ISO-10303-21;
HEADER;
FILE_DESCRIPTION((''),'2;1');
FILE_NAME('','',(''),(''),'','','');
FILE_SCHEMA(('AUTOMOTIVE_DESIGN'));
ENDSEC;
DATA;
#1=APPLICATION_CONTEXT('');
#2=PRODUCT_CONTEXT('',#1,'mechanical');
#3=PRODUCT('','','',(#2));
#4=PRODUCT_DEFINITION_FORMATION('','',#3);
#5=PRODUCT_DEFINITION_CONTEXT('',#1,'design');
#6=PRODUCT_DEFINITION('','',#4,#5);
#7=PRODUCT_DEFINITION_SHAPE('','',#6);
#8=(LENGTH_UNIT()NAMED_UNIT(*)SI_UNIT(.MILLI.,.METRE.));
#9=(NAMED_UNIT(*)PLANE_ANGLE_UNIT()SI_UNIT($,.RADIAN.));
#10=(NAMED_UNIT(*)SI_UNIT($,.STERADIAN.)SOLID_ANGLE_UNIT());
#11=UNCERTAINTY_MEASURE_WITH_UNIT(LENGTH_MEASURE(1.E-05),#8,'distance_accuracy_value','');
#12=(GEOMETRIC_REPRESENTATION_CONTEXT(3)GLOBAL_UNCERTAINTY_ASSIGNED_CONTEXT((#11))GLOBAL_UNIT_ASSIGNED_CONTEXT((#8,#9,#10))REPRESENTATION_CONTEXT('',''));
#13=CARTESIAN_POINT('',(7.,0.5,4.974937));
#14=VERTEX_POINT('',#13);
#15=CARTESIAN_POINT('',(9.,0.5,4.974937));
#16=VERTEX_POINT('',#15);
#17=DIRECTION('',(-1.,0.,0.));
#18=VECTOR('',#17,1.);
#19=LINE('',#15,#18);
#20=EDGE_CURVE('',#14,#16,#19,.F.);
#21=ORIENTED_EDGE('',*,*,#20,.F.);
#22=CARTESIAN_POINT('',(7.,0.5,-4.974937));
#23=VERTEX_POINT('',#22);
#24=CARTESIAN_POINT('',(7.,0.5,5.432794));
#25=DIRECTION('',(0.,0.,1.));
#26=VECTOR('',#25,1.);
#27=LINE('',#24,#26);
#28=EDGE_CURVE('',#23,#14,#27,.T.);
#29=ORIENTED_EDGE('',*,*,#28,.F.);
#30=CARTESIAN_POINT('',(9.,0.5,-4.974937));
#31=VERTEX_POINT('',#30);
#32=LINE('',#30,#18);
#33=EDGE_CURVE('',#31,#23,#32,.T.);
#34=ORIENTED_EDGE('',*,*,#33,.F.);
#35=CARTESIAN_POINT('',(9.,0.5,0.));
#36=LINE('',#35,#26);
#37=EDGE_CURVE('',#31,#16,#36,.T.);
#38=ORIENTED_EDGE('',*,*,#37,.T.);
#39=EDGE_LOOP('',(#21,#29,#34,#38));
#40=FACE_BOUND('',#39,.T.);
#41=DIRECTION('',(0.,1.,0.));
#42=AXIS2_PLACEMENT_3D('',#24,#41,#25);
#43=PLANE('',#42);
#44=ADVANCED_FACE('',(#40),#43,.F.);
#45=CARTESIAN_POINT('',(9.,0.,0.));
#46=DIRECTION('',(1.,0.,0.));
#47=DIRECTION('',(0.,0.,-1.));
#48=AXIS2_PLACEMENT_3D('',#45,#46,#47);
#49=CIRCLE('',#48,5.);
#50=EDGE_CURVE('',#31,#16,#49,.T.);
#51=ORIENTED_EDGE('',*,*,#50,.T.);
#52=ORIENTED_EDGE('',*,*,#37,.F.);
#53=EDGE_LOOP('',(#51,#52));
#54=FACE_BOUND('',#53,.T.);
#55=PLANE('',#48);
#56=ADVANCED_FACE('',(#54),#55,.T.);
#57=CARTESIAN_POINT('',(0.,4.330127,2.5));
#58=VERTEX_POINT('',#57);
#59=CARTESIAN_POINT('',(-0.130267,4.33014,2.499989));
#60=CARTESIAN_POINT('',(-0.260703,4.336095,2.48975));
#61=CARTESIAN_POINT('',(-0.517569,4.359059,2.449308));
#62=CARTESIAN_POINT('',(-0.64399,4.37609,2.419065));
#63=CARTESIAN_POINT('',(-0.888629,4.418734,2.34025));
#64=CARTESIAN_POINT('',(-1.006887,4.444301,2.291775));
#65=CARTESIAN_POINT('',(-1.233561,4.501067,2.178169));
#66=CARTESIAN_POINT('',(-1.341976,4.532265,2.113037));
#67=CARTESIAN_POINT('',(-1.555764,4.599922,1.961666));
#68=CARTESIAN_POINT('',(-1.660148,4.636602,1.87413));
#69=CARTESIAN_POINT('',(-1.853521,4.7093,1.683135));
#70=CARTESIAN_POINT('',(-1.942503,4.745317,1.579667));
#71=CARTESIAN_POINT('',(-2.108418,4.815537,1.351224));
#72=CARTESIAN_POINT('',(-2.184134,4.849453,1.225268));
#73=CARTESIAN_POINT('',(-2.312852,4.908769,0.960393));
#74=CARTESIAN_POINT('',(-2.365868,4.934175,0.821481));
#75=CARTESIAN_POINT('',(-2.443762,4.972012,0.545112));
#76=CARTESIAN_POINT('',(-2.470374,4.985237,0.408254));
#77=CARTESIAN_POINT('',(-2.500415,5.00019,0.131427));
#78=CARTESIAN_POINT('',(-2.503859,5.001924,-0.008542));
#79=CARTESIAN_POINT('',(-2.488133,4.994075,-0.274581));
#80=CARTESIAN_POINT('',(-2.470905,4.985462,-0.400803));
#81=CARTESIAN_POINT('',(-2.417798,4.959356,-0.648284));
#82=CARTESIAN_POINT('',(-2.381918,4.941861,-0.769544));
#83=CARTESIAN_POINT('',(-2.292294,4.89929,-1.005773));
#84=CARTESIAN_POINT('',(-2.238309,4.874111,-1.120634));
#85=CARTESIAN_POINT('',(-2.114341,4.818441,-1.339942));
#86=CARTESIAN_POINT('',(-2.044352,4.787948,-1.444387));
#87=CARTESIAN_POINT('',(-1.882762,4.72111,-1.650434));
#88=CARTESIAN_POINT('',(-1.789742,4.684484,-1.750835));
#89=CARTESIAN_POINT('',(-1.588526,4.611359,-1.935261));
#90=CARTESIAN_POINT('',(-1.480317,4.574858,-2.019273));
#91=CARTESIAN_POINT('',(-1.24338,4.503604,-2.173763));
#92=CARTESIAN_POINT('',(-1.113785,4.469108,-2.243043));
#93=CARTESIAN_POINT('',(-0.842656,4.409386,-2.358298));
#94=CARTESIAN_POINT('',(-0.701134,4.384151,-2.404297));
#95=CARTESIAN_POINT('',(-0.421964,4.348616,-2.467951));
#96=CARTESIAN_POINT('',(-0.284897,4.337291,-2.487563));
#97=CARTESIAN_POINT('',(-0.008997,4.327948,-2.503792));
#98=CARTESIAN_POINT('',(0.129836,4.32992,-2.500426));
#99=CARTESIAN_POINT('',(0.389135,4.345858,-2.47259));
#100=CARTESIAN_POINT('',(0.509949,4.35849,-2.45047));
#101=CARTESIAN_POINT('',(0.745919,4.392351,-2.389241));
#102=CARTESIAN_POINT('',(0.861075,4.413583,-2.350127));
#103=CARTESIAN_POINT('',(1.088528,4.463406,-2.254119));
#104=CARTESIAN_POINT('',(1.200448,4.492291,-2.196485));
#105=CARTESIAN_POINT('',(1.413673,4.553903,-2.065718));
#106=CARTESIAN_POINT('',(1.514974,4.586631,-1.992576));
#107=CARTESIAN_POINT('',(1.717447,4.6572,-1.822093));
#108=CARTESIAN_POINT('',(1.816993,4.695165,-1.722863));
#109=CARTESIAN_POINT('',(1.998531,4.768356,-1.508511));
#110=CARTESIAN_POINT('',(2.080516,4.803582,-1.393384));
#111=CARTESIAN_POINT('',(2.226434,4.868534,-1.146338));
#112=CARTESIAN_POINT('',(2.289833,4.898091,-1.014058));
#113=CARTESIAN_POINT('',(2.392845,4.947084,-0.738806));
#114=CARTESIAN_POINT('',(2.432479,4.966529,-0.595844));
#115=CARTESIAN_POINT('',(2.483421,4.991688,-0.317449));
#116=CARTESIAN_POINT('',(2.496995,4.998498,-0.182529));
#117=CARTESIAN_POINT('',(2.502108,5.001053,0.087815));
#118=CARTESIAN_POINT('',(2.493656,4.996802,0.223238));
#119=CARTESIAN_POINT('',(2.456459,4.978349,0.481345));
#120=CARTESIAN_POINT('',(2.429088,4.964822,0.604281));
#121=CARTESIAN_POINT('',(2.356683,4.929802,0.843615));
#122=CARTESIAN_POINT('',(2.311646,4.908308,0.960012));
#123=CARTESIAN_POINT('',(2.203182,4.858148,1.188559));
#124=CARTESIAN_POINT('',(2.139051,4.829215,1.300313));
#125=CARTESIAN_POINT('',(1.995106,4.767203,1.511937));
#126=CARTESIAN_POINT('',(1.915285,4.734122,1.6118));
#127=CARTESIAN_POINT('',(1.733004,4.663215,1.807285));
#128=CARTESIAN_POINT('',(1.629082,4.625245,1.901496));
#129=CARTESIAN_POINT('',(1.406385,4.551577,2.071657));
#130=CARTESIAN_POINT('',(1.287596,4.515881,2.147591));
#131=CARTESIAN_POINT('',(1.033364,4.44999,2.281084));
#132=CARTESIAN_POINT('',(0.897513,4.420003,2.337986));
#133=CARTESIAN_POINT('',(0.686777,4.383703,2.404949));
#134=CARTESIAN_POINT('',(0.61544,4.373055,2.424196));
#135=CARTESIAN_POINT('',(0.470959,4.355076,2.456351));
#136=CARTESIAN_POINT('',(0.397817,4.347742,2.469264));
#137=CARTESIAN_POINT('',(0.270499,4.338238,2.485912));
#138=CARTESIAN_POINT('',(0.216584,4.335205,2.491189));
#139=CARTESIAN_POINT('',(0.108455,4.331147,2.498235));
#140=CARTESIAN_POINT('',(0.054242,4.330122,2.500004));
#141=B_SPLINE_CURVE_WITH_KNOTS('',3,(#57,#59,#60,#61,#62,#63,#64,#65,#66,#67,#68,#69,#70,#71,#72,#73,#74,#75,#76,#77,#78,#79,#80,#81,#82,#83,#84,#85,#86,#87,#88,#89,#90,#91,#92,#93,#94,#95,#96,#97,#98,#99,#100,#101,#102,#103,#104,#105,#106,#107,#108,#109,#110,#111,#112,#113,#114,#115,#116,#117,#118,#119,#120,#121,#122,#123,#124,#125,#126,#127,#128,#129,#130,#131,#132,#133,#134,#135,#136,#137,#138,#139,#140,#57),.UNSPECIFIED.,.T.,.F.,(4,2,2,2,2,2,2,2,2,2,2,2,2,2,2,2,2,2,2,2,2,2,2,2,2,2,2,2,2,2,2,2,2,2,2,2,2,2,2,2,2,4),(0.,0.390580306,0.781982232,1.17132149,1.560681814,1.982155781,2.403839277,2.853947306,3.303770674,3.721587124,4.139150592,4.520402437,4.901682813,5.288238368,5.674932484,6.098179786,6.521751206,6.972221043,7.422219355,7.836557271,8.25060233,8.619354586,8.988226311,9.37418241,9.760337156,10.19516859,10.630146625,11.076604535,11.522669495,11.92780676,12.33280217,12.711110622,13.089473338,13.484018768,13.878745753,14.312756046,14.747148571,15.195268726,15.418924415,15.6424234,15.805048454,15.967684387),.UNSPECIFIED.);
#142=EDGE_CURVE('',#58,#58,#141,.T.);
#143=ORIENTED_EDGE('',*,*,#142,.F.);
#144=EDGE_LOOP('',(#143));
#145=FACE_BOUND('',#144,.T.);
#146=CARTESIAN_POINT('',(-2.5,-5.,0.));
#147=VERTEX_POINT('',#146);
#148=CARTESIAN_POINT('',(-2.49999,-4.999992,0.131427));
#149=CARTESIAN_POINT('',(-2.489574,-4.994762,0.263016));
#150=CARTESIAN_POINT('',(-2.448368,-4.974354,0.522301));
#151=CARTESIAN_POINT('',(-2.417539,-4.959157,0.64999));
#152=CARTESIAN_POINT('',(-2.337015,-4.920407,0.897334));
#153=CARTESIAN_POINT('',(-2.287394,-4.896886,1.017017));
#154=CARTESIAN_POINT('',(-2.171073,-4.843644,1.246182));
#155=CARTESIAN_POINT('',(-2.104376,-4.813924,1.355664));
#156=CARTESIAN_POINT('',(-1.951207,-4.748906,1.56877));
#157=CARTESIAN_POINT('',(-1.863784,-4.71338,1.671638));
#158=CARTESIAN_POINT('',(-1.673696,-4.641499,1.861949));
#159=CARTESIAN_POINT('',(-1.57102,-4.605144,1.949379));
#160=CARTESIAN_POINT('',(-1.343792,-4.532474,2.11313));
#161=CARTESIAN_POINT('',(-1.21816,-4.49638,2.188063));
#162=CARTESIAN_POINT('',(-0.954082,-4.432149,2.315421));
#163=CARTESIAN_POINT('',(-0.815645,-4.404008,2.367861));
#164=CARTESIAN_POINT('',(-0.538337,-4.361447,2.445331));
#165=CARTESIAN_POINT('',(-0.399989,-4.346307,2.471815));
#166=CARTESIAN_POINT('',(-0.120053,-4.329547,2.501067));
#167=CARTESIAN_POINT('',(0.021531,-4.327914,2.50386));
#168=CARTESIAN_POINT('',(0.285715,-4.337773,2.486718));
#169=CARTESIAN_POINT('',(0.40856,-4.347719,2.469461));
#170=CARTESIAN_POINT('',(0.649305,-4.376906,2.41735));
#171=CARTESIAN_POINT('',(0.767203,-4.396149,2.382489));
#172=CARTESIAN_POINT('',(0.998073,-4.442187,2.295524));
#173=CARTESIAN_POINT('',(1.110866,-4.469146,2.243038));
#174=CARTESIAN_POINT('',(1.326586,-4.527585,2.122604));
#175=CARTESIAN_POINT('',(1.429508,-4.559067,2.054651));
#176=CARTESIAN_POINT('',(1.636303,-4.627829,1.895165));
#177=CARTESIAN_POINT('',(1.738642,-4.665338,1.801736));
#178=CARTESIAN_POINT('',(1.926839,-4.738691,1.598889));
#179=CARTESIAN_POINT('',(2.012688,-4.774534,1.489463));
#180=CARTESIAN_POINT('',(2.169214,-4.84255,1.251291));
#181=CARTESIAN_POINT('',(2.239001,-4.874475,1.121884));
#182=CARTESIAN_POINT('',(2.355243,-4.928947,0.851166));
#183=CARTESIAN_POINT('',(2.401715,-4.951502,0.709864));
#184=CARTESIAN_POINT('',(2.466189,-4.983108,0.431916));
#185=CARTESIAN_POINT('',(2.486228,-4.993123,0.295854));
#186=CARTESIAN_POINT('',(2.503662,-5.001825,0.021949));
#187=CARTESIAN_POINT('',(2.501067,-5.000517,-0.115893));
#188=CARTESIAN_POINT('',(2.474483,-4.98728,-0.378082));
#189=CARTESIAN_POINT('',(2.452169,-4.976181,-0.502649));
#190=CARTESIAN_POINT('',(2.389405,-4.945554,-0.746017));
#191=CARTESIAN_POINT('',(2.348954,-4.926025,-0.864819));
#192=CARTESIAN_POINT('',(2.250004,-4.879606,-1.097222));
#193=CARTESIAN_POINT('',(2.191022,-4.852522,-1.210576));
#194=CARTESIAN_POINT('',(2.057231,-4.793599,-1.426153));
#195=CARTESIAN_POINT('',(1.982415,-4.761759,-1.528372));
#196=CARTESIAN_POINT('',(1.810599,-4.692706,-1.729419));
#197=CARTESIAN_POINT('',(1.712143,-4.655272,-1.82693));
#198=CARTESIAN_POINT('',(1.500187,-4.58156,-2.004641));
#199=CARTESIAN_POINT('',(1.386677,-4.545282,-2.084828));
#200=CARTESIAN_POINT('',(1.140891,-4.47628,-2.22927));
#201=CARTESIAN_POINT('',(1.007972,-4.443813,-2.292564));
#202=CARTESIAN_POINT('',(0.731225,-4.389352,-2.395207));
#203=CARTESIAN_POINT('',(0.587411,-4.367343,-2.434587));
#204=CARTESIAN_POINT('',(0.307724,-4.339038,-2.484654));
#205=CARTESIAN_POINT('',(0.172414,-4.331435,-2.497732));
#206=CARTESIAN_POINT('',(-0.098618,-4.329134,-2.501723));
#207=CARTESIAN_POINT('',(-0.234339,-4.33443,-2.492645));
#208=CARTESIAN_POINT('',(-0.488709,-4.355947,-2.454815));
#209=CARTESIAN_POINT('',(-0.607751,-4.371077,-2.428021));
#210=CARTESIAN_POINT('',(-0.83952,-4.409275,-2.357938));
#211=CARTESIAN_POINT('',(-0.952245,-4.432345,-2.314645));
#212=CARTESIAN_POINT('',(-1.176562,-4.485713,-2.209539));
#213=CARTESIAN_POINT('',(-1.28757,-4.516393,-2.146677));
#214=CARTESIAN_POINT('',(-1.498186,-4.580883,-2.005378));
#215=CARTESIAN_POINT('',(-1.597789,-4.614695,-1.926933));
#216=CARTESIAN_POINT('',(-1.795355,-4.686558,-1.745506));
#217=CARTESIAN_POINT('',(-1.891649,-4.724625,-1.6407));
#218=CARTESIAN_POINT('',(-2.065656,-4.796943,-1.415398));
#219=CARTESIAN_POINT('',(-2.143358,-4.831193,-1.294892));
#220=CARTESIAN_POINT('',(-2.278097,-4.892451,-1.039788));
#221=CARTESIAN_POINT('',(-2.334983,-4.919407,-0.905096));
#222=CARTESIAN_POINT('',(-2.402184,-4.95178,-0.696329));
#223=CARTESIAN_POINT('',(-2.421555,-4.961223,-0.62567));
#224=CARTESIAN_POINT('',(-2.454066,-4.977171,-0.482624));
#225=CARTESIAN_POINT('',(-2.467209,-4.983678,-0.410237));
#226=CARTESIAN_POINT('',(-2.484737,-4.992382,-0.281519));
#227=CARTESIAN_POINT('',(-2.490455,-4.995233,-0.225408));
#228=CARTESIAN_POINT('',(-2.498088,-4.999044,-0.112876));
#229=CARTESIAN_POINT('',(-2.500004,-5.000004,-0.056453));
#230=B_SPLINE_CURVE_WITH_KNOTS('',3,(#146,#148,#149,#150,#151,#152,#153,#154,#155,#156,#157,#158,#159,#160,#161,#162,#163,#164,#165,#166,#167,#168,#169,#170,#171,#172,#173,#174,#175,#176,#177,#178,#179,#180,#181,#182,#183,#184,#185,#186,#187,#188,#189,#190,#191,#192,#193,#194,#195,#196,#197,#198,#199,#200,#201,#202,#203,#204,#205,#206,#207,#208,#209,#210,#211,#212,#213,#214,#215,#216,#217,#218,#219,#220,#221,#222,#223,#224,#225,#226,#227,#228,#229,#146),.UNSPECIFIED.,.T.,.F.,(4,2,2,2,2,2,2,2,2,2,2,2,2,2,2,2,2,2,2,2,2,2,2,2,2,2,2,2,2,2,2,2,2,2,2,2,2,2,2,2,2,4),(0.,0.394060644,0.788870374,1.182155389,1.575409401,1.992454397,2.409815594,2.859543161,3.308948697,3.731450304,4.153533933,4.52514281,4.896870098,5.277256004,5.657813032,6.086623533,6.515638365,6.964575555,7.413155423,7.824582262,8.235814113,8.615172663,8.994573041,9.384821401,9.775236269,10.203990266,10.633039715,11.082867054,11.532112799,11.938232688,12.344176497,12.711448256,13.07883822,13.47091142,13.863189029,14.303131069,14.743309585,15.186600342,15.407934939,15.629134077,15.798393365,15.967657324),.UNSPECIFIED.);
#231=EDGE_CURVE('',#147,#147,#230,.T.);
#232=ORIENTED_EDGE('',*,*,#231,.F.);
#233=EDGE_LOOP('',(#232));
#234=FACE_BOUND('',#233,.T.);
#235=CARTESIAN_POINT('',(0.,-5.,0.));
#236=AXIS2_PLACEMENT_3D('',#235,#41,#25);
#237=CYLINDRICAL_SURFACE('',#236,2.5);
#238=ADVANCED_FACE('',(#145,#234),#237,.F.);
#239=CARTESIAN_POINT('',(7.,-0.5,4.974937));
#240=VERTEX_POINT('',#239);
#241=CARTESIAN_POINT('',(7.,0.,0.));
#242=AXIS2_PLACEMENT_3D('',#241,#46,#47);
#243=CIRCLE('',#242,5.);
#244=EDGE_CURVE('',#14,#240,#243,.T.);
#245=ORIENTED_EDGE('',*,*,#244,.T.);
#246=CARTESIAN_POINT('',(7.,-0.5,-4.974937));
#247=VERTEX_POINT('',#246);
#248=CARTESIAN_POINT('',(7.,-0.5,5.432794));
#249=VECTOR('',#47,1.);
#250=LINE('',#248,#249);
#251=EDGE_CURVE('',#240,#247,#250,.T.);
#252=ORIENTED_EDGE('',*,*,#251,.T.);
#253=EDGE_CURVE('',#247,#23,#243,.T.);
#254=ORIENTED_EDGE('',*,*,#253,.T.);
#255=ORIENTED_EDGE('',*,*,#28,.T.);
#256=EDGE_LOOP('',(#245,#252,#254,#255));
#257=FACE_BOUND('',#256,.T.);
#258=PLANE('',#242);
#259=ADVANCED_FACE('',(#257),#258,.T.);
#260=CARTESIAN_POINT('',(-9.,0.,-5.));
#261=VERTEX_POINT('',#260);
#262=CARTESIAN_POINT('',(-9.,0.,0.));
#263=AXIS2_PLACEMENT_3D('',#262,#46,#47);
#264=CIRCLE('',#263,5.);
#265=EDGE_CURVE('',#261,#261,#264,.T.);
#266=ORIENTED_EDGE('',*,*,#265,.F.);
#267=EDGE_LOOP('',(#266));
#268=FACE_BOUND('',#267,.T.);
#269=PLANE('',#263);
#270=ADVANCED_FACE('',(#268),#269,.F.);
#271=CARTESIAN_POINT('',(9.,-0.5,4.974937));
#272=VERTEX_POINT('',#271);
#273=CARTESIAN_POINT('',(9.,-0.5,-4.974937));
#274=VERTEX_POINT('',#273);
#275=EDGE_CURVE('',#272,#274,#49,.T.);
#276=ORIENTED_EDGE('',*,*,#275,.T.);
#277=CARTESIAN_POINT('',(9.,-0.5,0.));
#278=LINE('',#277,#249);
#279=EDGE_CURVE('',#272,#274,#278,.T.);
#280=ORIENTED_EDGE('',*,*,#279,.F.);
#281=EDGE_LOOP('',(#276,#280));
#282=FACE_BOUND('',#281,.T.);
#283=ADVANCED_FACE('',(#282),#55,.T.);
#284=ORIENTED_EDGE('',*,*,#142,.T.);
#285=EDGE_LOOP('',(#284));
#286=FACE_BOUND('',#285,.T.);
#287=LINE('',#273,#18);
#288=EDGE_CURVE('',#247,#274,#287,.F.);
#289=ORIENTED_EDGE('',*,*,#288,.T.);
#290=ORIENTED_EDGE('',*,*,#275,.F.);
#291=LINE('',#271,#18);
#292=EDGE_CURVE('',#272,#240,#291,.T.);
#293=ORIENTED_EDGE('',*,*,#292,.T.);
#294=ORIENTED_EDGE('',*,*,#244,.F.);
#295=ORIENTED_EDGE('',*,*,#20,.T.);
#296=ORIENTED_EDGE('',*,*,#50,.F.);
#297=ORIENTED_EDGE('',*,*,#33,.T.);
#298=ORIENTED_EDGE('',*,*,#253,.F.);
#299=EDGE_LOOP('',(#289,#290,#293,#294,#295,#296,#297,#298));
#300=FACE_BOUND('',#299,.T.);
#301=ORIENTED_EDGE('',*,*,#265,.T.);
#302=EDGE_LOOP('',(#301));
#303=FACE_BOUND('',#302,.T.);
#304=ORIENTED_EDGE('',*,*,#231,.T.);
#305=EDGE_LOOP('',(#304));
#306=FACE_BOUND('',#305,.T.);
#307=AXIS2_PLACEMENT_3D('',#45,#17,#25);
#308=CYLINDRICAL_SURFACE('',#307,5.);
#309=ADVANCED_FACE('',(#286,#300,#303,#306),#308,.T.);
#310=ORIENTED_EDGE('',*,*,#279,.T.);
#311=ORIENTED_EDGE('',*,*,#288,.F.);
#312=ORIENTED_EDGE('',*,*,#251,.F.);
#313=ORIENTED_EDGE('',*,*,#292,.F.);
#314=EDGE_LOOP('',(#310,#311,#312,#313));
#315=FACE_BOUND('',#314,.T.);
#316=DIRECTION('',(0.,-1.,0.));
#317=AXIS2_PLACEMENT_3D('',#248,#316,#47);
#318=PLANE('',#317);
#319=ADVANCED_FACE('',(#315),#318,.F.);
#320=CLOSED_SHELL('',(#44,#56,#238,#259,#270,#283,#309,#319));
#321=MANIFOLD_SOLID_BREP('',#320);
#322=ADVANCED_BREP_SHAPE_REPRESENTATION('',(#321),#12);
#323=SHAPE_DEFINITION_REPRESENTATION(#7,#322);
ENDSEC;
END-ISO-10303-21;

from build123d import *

# Parameters (mm, degrees)
BOSS_EXTRUDE1_DEPTH      = 9
BOSS_EXTRUDE1_DEPTH_BACK = 9
SKETCH1_R                = 5
CUT_EXTRUDE1_DEPTH       = 12.445523142
CUT_EXTRUDE1_DEPTH_BACK  = 12.445523142
SKETCH7_R                = 2.5
SKETCH8_W                = 10.865587176
SKETCH8_H                = 1
CUT_EXTRUDE2_DEPTH       = 2


with BuildPart() as part:
    # Sketch1 → Boss-Extrude1 (new, two sides: drawn at the far end of the back side and taken through both)
    with BuildSketch(Plane(origin=(0, 0, 0), x_dir=(0, 0, -1), z_dir=(1, 0, 0)).offset(-BOSS_EXTRUDE1_DEPTH_BACK)):
        Circle(SKETCH1_R)
    extrude(amount=BOSS_EXTRUDE1_DEPTH + BOSS_EXTRUDE1_DEPTH_BACK)

    # Sketch7 → Cut-Extrude1 (cut, two sides: drawn at the far end of the back side and taken through both)
    with BuildSketch(Plane(origin=(0, 0, 0), x_dir=(1, 0, 0), z_dir=(0, 1, 0)).offset(-CUT_EXTRUDE1_DEPTH_BACK)):
        Circle(SKETCH7_R)
    extrude(amount=CUT_EXTRUDE1_DEPTH + CUT_EXTRUDE1_DEPTH_BACK, mode=Mode.SUBTRACT)

    # Sketch8 → Cut-Extrude2 (cut)
    with BuildSketch(Plane(origin=(9, 0, 0), x_dir=(0, 0, -1), z_dir=(1, 0, 0))):
        Rectangle(SKETCH8_W, SKETCH8_H)
    extrude(amount=-CUT_EXTRUDE2_DEPTH, mode=Mode.SUBTRACT)


solid = part.part
